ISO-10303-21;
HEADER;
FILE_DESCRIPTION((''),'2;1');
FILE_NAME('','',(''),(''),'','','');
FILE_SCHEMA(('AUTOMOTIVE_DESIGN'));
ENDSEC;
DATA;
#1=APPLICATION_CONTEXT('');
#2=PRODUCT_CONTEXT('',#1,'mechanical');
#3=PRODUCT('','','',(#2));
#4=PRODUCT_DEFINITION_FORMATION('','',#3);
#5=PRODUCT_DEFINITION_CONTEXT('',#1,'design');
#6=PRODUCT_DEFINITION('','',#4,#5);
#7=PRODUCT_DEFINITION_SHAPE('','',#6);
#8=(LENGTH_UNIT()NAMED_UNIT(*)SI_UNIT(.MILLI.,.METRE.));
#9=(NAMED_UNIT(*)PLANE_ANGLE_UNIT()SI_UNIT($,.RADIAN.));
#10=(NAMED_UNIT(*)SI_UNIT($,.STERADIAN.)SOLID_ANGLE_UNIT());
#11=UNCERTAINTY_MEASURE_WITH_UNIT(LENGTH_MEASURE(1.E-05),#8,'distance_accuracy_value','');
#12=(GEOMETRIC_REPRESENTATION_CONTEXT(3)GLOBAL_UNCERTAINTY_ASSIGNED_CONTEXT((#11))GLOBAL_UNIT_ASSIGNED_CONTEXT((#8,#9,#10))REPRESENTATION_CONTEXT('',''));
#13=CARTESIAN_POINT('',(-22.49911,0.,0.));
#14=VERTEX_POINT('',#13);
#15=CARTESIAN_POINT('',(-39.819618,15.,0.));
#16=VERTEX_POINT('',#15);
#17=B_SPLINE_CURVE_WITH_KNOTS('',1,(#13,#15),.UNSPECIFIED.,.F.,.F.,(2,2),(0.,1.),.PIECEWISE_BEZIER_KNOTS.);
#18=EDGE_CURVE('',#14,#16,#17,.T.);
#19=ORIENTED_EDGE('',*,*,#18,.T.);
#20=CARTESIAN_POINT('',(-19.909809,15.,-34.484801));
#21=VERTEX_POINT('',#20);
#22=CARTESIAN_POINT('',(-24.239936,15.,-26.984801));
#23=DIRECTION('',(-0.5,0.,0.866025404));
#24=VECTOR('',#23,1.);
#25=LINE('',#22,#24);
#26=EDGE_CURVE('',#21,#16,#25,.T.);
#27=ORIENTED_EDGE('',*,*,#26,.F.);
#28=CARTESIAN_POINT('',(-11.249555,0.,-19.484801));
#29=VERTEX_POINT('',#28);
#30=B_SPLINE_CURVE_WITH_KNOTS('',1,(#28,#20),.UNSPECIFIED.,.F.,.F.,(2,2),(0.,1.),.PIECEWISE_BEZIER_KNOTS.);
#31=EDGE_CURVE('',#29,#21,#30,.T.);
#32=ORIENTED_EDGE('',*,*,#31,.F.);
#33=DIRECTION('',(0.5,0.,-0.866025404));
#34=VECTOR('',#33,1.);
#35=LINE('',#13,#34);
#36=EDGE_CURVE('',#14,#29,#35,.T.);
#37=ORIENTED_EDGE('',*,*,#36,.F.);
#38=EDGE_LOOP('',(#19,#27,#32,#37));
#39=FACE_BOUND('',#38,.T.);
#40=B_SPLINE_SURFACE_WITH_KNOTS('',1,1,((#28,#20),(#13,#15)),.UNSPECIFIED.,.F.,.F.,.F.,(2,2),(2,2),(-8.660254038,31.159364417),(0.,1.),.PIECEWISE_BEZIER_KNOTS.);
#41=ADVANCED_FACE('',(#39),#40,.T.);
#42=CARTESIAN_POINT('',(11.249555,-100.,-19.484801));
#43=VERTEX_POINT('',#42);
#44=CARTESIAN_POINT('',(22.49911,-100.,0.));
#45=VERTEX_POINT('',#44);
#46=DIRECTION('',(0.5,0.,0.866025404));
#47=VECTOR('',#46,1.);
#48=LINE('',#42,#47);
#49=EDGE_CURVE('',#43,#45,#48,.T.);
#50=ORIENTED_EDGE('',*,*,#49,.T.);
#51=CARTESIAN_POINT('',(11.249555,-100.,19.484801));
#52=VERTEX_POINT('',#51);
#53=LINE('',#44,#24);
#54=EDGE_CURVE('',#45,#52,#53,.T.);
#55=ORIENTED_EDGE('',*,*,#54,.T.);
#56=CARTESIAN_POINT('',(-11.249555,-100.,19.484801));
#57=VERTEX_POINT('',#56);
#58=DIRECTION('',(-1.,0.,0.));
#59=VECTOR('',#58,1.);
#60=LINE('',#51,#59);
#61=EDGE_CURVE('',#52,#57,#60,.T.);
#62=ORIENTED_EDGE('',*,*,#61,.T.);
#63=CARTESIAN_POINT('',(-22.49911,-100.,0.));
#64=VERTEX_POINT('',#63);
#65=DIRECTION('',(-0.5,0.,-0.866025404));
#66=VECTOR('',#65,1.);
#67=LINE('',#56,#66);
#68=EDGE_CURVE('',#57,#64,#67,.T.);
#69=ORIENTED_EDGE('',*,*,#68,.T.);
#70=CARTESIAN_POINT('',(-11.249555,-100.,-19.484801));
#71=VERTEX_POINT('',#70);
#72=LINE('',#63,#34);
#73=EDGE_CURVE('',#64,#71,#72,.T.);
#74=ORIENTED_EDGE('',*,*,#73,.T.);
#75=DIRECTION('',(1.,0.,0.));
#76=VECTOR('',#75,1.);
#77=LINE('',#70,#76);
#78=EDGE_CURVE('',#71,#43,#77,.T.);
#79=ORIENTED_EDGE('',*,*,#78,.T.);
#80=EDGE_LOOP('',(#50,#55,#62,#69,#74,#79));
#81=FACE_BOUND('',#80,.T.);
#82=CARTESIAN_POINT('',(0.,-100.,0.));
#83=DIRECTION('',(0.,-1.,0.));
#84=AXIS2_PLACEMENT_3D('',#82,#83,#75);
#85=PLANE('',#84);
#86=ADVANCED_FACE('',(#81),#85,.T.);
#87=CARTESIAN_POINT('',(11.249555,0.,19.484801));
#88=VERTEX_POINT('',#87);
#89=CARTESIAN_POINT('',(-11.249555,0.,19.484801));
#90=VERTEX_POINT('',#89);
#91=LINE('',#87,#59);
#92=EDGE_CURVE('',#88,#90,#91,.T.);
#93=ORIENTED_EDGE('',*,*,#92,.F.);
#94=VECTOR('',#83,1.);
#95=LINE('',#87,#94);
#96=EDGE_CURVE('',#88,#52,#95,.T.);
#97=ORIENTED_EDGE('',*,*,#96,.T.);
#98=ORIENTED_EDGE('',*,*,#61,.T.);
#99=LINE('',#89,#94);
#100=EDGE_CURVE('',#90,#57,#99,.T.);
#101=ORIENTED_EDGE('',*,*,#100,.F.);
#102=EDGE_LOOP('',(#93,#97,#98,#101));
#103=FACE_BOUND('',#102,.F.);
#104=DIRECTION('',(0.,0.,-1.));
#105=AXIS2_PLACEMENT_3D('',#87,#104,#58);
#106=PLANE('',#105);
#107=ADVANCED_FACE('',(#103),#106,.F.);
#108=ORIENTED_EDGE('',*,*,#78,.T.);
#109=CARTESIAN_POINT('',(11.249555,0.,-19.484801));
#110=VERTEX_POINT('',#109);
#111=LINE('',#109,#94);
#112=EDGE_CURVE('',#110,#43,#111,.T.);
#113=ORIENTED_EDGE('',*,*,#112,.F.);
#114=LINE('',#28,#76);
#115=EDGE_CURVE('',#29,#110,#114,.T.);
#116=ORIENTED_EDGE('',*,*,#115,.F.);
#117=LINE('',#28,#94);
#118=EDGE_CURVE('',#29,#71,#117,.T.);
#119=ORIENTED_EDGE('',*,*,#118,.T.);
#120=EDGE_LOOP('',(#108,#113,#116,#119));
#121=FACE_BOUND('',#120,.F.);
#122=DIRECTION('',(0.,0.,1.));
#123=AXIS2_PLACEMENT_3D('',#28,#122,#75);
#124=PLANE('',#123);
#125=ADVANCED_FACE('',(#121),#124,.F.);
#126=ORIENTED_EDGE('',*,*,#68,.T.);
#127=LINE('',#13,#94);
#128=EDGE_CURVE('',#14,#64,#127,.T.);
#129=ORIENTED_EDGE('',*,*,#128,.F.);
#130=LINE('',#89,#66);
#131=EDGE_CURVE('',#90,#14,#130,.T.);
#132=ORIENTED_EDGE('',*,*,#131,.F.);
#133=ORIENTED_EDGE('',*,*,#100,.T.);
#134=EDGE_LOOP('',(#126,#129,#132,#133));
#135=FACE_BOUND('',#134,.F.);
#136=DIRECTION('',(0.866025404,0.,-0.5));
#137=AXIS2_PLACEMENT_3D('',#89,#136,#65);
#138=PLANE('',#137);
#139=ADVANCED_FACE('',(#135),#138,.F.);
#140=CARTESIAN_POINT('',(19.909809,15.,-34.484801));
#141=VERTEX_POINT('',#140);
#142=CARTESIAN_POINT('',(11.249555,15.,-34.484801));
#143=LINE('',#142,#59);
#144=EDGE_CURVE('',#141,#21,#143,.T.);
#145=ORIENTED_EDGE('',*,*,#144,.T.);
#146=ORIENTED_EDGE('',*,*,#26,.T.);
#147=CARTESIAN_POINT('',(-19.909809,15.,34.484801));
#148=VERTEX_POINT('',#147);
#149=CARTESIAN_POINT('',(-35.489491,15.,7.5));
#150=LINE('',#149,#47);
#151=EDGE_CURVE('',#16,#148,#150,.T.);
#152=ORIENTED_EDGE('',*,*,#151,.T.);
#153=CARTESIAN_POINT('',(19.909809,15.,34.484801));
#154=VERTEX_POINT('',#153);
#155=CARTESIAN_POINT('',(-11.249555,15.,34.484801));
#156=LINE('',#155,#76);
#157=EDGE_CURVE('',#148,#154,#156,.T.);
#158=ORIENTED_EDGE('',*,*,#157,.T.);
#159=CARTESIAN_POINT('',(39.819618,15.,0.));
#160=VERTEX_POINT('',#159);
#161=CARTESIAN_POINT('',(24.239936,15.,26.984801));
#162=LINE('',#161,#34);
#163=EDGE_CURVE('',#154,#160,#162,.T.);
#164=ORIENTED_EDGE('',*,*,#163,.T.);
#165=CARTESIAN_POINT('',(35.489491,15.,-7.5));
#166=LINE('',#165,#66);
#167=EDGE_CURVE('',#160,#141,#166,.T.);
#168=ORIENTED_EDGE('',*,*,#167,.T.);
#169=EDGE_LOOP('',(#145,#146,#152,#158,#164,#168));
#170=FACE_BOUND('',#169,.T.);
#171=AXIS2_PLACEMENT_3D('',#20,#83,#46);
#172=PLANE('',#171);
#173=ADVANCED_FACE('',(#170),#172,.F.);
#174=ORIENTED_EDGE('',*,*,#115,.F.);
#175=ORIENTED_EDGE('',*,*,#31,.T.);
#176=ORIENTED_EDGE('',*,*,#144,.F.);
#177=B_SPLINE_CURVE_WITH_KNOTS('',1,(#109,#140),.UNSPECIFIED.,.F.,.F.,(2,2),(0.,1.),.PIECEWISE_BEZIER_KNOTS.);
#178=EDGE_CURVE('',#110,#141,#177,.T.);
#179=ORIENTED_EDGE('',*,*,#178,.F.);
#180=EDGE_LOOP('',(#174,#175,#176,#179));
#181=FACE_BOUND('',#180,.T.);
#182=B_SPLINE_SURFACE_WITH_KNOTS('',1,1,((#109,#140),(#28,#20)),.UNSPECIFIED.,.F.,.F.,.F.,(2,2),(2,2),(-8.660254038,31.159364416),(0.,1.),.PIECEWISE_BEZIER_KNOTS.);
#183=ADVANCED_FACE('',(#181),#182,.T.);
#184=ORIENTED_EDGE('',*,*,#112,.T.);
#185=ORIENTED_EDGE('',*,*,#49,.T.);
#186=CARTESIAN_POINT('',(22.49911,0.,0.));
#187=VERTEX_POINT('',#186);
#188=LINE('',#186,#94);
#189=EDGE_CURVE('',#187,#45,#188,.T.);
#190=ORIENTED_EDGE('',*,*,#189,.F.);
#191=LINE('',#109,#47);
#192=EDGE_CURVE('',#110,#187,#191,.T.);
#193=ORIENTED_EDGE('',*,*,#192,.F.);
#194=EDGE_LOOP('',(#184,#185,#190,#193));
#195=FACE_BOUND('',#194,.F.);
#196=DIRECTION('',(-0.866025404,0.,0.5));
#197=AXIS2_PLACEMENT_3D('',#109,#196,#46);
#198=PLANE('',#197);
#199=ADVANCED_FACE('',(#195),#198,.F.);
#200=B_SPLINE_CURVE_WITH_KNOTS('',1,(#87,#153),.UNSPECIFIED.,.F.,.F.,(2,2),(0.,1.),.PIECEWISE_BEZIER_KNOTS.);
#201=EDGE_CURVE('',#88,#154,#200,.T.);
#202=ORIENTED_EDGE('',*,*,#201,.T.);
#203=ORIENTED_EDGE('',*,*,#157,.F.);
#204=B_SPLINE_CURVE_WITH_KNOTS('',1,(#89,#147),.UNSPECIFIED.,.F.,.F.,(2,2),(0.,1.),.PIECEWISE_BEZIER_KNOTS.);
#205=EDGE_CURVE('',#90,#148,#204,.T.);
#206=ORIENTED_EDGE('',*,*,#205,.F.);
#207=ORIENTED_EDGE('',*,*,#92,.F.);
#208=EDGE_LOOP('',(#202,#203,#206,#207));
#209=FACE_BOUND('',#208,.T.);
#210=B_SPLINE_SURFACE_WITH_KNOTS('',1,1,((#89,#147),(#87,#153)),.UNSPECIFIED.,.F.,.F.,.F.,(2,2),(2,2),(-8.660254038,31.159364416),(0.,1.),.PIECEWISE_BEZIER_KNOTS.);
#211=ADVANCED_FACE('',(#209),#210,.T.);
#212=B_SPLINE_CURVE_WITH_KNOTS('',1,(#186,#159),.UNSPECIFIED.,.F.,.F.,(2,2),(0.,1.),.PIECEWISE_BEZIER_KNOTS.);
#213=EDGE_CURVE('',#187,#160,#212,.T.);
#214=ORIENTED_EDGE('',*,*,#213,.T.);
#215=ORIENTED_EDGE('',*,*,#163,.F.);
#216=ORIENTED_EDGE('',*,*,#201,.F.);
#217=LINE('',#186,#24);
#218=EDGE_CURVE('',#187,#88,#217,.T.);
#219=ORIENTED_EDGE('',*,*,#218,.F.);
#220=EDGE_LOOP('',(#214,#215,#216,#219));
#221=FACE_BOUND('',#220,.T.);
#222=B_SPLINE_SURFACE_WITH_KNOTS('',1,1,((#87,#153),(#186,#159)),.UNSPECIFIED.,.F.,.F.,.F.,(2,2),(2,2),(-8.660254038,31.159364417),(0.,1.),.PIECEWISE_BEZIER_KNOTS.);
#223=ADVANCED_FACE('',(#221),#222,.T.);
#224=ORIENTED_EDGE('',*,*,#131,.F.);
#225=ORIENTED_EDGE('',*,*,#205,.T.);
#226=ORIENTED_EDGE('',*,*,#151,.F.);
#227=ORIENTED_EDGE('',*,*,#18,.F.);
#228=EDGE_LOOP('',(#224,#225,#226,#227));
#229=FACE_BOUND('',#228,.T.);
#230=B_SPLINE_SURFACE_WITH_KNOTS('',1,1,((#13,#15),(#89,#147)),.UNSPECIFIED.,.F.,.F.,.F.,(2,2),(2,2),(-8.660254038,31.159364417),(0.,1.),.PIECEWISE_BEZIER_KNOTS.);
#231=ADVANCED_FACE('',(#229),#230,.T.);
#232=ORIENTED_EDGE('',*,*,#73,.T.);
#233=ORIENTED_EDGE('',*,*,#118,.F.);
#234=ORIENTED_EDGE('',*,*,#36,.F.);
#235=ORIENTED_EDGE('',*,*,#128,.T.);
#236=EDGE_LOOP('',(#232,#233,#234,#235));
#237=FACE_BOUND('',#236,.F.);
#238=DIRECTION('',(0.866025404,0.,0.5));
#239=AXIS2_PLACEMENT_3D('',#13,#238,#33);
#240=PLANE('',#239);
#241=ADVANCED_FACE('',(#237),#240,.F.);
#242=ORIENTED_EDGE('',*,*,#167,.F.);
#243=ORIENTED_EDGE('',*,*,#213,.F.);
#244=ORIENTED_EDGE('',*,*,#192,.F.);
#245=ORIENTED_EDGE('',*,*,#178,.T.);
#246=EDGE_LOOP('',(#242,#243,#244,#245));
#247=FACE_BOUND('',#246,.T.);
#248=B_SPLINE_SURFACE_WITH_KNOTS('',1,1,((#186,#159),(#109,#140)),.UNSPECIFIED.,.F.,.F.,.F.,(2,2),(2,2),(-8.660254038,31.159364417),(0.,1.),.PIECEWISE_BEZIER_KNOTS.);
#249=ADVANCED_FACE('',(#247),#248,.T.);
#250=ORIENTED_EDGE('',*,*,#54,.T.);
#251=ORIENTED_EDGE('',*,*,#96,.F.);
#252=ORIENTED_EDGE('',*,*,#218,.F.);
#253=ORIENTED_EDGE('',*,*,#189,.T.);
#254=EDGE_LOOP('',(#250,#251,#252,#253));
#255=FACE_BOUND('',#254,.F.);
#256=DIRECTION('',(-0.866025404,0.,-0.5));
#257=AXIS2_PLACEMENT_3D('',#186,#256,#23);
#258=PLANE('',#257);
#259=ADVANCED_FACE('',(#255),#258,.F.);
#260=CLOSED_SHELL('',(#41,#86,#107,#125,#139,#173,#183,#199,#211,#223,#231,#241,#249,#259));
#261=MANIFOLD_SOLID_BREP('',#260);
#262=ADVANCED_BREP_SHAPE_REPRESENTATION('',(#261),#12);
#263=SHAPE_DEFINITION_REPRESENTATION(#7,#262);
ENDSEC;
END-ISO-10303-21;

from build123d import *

# Parameters (mm, degrees)
F1_DEPTH = 100
F2_DEPTH = 15
F2_TAPER = -45


with BuildPart() as f1:
    # F0 (on Front) → F1 (new body)
    with BuildSketch(Plane.XZ):
        Polygon((-11.2495551893, -19.4848011505), (11.2495551893, -19.4848011505), (22.4991103787, 0), (11.2495551893, 19.4848011505), (-11.2495551893, 19.4848011505), (-22.4991103787, 0), align=None)
    extrude(amount=F1_DEPTH)

    # F1_face (on face) → F2 (join)
    with BuildSketch(Plane(origin=(0, 0, 0), x_dir=(1, 0, 0), z_dir=(0, 1, 0))):
        Polygon((-11.2495551893, 19.4848011505), (-22.4991103787, 0), (-11.2495551893, -19.4848011505), (11.2495551893, -19.4848011505), (22.4991103787, 0), (11.2495551893, 19.4848011505), align=None)
    extrude(amount=F2_DEPTH, taper=F2_TAPER)


solid = f1.part
